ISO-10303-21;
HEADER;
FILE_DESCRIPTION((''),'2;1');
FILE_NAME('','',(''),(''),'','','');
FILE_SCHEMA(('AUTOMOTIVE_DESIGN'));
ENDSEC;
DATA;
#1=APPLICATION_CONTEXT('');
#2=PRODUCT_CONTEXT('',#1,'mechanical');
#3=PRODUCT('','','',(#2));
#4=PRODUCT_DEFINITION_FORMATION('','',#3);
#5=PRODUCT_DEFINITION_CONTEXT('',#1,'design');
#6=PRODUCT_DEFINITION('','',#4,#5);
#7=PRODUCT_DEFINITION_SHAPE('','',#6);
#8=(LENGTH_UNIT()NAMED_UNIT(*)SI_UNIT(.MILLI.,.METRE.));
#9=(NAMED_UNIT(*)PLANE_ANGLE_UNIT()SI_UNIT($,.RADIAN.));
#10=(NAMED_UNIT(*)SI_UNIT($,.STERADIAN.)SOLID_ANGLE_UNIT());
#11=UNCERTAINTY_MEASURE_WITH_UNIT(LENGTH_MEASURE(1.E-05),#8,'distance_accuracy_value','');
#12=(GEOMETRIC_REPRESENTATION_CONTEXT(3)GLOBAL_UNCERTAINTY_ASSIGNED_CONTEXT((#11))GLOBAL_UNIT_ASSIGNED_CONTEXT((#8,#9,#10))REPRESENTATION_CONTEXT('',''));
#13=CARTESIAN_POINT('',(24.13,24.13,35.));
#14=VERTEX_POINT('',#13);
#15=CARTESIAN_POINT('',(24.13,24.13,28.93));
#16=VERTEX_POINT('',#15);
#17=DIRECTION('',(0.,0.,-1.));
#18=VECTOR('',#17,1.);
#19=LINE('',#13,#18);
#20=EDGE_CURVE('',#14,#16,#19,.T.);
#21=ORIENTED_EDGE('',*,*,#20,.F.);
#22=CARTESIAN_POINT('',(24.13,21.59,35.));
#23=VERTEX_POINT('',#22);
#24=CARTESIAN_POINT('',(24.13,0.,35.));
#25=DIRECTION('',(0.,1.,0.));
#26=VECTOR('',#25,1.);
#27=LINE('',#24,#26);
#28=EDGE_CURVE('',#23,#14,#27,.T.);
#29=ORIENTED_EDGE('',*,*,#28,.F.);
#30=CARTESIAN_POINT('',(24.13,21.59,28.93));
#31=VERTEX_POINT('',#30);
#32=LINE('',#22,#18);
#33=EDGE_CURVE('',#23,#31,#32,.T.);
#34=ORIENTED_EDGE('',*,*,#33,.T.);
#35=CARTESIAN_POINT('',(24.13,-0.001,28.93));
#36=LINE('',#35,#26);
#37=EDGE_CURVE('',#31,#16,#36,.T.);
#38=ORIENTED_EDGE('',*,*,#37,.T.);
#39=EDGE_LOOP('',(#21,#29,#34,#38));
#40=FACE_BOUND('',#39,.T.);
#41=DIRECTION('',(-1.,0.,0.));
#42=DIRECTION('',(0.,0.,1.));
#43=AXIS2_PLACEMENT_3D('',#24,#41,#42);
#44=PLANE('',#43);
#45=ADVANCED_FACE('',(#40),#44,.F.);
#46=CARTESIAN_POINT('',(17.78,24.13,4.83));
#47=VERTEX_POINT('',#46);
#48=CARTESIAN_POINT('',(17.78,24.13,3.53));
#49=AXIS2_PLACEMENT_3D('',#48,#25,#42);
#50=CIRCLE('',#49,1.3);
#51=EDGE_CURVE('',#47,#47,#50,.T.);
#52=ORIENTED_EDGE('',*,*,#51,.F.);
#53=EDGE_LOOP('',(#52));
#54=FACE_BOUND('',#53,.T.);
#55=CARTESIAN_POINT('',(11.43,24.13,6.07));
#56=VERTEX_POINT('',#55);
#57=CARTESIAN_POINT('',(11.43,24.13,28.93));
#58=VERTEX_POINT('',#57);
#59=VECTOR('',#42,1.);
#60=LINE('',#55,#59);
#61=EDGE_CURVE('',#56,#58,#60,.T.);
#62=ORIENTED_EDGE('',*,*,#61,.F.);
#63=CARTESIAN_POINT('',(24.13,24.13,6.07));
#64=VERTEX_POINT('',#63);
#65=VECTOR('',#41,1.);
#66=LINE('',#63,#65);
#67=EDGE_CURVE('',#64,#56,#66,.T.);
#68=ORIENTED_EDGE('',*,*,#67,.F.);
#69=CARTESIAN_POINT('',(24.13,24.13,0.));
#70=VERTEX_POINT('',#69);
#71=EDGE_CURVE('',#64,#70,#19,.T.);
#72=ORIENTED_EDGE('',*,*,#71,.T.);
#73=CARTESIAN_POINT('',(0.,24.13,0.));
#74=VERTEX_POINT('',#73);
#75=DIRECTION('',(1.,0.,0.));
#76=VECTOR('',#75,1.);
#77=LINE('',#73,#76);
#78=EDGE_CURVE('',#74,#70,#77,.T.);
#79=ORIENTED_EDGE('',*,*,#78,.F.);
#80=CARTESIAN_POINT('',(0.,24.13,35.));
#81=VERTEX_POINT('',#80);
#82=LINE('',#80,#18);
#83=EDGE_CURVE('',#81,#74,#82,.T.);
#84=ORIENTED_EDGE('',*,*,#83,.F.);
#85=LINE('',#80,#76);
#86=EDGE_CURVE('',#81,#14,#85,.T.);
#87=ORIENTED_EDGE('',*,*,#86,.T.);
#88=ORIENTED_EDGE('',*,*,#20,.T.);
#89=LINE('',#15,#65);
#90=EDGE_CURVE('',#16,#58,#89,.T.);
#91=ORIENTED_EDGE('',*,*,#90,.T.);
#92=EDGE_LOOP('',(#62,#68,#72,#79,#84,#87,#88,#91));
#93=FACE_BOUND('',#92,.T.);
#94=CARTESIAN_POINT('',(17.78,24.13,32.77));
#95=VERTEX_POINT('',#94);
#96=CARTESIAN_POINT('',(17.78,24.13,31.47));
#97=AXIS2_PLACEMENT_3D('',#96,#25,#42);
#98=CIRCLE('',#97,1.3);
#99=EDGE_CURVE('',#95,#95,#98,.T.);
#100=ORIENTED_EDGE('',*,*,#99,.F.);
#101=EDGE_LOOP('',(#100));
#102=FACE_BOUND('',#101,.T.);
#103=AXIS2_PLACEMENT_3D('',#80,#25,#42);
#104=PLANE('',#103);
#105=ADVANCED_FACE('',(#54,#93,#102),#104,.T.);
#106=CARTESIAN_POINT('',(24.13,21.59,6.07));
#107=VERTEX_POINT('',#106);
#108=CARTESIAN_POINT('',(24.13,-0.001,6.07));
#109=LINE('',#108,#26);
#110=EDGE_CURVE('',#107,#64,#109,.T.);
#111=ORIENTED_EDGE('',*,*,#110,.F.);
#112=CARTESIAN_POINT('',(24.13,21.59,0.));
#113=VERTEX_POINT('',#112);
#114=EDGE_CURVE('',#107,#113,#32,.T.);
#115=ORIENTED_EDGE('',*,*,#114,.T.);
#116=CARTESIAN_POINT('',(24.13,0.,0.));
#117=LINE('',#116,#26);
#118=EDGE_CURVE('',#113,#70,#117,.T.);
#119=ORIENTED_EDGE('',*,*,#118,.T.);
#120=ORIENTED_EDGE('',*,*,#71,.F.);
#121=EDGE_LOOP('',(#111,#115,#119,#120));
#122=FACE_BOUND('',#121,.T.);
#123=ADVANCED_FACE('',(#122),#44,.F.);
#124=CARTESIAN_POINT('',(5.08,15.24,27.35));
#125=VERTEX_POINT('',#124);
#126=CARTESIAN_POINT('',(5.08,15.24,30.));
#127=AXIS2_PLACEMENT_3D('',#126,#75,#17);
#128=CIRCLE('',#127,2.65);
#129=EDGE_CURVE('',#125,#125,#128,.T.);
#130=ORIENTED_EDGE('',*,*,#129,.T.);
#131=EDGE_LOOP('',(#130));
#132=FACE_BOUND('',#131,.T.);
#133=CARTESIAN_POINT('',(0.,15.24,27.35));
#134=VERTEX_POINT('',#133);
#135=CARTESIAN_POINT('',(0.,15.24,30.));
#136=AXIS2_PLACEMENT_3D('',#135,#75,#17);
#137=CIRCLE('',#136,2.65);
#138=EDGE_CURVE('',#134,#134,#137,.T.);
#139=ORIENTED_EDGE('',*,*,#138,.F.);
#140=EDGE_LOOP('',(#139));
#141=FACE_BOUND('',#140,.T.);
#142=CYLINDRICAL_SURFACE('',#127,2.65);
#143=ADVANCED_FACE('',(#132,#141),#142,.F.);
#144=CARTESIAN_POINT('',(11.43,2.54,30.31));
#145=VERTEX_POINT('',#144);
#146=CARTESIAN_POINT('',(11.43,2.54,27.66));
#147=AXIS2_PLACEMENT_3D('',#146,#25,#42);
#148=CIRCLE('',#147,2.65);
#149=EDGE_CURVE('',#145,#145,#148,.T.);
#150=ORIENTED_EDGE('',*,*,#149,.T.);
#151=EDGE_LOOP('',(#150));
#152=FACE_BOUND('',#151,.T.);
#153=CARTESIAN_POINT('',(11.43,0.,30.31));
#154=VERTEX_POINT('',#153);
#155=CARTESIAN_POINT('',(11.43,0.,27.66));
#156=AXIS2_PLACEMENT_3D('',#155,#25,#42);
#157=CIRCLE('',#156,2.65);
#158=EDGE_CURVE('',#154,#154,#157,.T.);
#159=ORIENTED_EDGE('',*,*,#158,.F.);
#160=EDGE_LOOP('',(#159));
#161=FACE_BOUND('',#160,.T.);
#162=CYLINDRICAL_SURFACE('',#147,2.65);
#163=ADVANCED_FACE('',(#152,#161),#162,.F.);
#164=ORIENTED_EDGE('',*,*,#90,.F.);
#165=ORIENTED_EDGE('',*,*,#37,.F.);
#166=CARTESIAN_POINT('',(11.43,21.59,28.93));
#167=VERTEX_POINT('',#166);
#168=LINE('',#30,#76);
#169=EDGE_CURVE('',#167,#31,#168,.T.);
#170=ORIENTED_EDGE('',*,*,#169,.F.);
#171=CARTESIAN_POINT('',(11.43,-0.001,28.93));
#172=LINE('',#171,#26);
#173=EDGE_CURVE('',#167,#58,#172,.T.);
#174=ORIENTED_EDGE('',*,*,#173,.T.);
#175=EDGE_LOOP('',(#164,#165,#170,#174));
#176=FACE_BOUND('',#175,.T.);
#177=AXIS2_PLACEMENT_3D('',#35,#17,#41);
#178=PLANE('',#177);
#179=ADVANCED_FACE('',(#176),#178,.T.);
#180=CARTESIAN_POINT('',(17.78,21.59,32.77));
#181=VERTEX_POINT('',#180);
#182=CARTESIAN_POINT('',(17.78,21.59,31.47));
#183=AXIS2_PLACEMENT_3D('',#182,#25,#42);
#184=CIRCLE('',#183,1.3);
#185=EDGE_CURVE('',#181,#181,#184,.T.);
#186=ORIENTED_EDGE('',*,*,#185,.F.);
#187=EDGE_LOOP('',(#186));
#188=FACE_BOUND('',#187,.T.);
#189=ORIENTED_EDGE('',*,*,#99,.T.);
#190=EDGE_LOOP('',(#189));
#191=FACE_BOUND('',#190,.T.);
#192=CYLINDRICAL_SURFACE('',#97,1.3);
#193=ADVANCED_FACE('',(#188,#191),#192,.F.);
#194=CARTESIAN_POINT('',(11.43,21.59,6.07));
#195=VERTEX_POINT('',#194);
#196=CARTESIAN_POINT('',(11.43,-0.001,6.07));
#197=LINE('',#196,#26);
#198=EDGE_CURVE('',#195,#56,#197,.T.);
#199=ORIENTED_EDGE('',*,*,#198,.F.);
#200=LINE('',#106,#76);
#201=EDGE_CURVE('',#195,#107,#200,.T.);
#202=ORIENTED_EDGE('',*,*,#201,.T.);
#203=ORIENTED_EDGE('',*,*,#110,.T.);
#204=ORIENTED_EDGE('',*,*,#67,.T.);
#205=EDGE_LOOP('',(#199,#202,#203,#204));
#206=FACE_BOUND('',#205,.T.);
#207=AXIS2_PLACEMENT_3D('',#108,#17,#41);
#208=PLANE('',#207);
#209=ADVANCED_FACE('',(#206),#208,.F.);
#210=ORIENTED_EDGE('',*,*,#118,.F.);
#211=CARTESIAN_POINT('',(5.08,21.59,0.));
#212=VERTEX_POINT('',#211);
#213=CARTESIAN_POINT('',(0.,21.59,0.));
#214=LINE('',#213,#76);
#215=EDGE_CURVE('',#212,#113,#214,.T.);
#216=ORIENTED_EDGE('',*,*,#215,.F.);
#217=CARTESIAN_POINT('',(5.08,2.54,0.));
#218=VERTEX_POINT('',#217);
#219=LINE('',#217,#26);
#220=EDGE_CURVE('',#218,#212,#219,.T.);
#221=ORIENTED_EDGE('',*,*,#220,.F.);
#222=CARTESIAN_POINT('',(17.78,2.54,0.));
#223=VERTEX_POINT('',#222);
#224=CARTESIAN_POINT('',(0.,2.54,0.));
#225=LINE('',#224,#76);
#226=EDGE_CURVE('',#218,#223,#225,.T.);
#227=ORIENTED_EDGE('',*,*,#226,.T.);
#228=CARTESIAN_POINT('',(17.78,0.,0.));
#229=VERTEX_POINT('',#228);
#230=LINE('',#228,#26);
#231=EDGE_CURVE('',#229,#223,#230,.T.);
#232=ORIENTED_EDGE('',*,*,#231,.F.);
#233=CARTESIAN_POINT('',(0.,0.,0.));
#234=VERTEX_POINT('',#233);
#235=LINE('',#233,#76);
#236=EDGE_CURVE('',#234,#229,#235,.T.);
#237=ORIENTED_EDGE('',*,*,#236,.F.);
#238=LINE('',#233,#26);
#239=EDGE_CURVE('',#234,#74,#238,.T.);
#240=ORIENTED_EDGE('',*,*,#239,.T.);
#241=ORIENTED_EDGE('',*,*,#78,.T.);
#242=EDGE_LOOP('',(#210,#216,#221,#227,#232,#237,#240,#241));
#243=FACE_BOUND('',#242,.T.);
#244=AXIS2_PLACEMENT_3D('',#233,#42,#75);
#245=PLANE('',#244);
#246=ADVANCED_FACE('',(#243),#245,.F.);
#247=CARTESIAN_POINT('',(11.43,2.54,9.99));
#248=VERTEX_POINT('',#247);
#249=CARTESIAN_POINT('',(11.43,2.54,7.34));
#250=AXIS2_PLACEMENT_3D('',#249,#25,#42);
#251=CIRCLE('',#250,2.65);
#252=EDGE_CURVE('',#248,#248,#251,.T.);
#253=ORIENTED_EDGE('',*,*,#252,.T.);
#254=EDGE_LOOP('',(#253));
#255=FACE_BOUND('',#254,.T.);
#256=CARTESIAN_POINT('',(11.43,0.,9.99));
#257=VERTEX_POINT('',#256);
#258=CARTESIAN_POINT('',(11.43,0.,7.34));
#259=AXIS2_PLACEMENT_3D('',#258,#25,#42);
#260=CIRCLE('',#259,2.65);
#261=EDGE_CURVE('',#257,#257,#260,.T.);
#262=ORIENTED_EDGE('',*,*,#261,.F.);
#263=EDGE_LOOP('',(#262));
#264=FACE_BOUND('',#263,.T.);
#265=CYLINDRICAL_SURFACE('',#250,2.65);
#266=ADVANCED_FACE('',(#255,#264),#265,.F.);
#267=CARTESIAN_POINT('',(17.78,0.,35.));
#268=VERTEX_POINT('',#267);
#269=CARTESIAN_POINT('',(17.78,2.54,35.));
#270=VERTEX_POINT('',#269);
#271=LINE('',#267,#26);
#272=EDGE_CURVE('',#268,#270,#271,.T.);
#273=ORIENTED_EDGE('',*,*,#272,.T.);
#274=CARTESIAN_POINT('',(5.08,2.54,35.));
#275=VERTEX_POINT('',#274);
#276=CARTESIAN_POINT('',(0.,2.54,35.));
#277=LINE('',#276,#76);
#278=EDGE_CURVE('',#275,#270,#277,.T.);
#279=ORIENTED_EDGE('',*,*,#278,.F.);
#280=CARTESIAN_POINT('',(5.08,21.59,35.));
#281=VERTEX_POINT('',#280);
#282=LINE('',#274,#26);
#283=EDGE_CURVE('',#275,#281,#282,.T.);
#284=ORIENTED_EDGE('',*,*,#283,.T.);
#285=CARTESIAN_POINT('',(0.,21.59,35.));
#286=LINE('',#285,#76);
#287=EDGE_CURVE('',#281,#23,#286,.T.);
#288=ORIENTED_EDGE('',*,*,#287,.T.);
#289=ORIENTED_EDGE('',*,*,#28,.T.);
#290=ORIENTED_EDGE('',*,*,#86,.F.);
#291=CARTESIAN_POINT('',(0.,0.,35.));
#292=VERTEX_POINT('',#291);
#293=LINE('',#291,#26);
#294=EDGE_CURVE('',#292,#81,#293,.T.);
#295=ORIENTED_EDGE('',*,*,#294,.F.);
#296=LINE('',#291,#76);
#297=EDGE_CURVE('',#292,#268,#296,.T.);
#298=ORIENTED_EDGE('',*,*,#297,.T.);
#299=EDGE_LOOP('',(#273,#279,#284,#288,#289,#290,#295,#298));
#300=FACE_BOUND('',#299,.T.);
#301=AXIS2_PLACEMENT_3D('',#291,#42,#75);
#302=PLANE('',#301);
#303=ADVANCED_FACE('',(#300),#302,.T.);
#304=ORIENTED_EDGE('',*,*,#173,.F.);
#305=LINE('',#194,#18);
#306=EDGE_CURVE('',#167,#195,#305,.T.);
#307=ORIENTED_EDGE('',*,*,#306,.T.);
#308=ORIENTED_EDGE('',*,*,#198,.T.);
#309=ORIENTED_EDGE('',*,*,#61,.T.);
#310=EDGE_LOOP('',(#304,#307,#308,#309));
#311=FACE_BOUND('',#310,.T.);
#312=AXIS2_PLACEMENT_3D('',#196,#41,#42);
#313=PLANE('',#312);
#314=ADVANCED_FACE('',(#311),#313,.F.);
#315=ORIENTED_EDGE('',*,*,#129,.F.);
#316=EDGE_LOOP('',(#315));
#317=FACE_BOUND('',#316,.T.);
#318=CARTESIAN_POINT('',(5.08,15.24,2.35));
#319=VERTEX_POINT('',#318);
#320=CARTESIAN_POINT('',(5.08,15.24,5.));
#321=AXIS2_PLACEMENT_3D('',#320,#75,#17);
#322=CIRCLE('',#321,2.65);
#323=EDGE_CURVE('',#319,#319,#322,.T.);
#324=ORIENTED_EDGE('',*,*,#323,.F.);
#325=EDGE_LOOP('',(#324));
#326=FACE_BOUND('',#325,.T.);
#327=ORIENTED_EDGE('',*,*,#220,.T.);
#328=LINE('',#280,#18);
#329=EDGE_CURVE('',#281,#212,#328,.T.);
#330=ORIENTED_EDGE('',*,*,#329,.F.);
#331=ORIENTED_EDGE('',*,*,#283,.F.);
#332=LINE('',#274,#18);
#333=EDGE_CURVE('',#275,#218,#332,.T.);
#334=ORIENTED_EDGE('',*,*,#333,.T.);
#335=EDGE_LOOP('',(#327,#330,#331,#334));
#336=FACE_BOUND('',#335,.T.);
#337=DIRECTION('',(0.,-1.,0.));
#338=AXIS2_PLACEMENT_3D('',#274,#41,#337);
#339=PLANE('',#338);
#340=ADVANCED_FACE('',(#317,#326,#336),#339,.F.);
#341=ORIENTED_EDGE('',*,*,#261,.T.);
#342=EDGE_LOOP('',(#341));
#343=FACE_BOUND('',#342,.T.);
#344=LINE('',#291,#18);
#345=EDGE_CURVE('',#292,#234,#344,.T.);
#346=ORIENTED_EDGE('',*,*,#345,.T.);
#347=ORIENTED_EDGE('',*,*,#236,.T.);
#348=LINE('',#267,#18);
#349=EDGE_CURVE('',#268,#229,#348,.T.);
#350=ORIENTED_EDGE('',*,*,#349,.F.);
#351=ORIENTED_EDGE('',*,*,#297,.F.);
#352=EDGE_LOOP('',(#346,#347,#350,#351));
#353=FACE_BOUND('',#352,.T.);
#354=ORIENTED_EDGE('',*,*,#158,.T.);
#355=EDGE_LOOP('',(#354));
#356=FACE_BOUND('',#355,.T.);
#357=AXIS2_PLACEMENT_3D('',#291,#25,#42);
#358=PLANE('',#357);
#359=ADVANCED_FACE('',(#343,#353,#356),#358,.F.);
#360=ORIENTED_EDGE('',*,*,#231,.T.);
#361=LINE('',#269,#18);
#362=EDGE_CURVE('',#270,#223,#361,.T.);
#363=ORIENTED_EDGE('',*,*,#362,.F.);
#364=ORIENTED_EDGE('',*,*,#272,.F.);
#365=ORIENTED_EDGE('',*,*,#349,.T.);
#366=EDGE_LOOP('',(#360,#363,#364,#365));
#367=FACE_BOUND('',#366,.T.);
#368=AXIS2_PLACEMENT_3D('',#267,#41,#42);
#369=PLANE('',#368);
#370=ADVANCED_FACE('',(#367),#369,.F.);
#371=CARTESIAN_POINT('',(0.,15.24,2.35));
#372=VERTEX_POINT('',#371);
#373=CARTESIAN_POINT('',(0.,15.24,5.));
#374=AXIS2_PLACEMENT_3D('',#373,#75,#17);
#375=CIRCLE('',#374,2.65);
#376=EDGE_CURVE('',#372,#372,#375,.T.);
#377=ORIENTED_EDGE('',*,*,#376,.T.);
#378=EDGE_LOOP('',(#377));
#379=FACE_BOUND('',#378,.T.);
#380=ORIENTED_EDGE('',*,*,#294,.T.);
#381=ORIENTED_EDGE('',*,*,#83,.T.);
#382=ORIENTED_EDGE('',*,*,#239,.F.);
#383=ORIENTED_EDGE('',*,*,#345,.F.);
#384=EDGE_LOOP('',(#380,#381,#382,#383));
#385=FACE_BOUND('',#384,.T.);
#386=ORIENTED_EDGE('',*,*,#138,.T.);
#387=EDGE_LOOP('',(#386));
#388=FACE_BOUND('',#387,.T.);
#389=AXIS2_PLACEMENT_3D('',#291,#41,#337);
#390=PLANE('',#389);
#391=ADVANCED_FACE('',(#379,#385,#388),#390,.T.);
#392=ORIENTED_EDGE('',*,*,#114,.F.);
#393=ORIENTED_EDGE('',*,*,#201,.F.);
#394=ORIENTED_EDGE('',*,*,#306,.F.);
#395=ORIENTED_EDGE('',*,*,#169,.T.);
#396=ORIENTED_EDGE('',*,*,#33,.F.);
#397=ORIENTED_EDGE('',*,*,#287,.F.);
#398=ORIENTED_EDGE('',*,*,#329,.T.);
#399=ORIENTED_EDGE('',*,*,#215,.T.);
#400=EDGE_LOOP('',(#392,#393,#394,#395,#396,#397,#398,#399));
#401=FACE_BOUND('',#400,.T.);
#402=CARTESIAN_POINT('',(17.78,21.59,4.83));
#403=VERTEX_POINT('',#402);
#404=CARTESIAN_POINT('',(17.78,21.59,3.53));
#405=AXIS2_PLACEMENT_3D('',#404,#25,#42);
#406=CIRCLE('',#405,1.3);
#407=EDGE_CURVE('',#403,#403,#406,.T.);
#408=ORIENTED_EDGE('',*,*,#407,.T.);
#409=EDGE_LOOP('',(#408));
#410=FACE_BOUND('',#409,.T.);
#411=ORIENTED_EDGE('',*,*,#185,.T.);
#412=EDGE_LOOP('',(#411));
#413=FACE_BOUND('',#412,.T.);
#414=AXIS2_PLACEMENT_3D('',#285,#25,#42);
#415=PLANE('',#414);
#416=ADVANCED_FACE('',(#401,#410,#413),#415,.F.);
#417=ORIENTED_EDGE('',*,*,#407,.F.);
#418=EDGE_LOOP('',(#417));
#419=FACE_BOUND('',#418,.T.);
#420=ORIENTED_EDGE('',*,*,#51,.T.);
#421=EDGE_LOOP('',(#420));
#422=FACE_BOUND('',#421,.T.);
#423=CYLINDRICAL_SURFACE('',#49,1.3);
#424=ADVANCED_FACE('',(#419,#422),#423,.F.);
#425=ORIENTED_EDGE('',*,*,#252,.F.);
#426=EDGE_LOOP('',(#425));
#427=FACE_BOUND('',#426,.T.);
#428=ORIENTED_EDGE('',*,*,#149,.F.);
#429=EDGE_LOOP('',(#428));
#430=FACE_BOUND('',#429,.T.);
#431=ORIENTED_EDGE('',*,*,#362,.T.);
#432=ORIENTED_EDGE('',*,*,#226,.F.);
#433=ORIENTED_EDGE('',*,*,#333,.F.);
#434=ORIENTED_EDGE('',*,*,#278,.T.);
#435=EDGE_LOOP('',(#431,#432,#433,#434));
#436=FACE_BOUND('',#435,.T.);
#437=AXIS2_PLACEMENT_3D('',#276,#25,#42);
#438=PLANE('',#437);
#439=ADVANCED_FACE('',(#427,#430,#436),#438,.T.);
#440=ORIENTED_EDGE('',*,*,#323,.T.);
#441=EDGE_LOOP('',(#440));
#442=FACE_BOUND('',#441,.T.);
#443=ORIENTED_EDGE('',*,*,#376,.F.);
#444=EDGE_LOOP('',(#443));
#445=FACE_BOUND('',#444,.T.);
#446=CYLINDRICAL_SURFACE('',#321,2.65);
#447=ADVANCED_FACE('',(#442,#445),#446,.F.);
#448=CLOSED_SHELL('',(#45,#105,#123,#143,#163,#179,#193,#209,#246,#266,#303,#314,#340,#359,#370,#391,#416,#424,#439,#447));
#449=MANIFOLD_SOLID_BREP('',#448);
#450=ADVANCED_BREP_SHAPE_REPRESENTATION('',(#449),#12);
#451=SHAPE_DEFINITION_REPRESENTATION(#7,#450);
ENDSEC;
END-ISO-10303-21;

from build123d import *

# Parameters (mm, degrees)
SKETCH1_W                 = 5.08
SKETCH1_H                 = 19.05
BOSS_EXTRUDE1_DEPTH       = 35
F_5_0MM_DOWEL_HOLE1_D     = 5.3
F_5_0MM_DOWEL_HOLE2_D     = 5.3
F_5_0MM_DOWEL_HOLE2_DEPTH = 2.54
CUT_EXTRUDE1_REACH        = 50.883
SKETCH6_W                 = 12.7
SKETCH6_H                 = 22.86
M2_CLEARANCE_HOLE1_D      = 2.6
M2_CLEARANCE_HOLE1_DEPTH  = 2.54


with BuildPart() as part:
    # Sketch1 → Boss-Extrude1 (new body)
    with BuildSketch(Plane.XY):
        Polygon((0, 2.54), (0, 0), (17.78, 0), (17.78, 2.54), (5.08, 2.54), align=None)
        with Locations((2.54, 12.065)):
            Rectangle(SKETCH1_W, SKETCH1_H)
        Polygon((0, 24.13), (0, 21.59), (5.08, 21.59), (24.13, 21.59), (24.13, 24.13), align=None)
    extrude(amount=BOSS_EXTRUDE1_DEPTH)

    # Ø5.0mm Dowel Hole1 (through all)
    with Locations(Plane(origin=(5.08, 0, 0), x_dir=(0, 0, -1), z_dir=(1, 0, 0))):
        with Locations((-30, 15.24), (-5, 15.24)):
            Hole(F_5_0MM_DOWEL_HOLE1_D / 2)

    # Ø5.0mm Dowel Hole2
    with Locations(Plane(origin=(0, 2.54, 0), x_dir=(1, 0, 0), z_dir=(0, 1, 0))):
        with Locations((11.43, -27.66), (11.43, -7.34)):
            Hole(F_5_0MM_DOWEL_HOLE2_D / 2, depth=F_5_0MM_DOWEL_HOLE2_DEPTH)

    # Sketch6 → Cut-Extrude1 (cut, up to next)
    with BuildSketch(Plane(origin=(0, 24.13, 0), x_dir=(1, 0, 0), z_dir=(0, 1, 0)), mode=Mode.PRIVATE) as cut_extrude1_sk1:
        with Locations((17.78, -17.5)):
            Rectangle(SKETCH6_W, SKETCH6_H)
    cut_extrude1_tool1 = extrude(cut_extrude1_sk1.sketch, amount=-CUT_EXTRUDE1_REACH, mode=Mode.PRIVATE) & part.part
    add(cut_extrude1_tool1.solids().sort_by_distance((17.78, 24.13, 17.5))[0], mode=Mode.SUBTRACT)

    # M2 Clearance Hole1
    with Locations(Plane(origin=(0, 24.13, 0), x_dir=(1, 0, 0), z_dir=(0, 1, 0))):
        with Locations((17.78, -31.47), (17.78, -3.53)):
            Hole(M2_CLEARANCE_HOLE1_D / 2, depth=M2_CLEARANCE_HOLE1_DEPTH)


solid = part.part
